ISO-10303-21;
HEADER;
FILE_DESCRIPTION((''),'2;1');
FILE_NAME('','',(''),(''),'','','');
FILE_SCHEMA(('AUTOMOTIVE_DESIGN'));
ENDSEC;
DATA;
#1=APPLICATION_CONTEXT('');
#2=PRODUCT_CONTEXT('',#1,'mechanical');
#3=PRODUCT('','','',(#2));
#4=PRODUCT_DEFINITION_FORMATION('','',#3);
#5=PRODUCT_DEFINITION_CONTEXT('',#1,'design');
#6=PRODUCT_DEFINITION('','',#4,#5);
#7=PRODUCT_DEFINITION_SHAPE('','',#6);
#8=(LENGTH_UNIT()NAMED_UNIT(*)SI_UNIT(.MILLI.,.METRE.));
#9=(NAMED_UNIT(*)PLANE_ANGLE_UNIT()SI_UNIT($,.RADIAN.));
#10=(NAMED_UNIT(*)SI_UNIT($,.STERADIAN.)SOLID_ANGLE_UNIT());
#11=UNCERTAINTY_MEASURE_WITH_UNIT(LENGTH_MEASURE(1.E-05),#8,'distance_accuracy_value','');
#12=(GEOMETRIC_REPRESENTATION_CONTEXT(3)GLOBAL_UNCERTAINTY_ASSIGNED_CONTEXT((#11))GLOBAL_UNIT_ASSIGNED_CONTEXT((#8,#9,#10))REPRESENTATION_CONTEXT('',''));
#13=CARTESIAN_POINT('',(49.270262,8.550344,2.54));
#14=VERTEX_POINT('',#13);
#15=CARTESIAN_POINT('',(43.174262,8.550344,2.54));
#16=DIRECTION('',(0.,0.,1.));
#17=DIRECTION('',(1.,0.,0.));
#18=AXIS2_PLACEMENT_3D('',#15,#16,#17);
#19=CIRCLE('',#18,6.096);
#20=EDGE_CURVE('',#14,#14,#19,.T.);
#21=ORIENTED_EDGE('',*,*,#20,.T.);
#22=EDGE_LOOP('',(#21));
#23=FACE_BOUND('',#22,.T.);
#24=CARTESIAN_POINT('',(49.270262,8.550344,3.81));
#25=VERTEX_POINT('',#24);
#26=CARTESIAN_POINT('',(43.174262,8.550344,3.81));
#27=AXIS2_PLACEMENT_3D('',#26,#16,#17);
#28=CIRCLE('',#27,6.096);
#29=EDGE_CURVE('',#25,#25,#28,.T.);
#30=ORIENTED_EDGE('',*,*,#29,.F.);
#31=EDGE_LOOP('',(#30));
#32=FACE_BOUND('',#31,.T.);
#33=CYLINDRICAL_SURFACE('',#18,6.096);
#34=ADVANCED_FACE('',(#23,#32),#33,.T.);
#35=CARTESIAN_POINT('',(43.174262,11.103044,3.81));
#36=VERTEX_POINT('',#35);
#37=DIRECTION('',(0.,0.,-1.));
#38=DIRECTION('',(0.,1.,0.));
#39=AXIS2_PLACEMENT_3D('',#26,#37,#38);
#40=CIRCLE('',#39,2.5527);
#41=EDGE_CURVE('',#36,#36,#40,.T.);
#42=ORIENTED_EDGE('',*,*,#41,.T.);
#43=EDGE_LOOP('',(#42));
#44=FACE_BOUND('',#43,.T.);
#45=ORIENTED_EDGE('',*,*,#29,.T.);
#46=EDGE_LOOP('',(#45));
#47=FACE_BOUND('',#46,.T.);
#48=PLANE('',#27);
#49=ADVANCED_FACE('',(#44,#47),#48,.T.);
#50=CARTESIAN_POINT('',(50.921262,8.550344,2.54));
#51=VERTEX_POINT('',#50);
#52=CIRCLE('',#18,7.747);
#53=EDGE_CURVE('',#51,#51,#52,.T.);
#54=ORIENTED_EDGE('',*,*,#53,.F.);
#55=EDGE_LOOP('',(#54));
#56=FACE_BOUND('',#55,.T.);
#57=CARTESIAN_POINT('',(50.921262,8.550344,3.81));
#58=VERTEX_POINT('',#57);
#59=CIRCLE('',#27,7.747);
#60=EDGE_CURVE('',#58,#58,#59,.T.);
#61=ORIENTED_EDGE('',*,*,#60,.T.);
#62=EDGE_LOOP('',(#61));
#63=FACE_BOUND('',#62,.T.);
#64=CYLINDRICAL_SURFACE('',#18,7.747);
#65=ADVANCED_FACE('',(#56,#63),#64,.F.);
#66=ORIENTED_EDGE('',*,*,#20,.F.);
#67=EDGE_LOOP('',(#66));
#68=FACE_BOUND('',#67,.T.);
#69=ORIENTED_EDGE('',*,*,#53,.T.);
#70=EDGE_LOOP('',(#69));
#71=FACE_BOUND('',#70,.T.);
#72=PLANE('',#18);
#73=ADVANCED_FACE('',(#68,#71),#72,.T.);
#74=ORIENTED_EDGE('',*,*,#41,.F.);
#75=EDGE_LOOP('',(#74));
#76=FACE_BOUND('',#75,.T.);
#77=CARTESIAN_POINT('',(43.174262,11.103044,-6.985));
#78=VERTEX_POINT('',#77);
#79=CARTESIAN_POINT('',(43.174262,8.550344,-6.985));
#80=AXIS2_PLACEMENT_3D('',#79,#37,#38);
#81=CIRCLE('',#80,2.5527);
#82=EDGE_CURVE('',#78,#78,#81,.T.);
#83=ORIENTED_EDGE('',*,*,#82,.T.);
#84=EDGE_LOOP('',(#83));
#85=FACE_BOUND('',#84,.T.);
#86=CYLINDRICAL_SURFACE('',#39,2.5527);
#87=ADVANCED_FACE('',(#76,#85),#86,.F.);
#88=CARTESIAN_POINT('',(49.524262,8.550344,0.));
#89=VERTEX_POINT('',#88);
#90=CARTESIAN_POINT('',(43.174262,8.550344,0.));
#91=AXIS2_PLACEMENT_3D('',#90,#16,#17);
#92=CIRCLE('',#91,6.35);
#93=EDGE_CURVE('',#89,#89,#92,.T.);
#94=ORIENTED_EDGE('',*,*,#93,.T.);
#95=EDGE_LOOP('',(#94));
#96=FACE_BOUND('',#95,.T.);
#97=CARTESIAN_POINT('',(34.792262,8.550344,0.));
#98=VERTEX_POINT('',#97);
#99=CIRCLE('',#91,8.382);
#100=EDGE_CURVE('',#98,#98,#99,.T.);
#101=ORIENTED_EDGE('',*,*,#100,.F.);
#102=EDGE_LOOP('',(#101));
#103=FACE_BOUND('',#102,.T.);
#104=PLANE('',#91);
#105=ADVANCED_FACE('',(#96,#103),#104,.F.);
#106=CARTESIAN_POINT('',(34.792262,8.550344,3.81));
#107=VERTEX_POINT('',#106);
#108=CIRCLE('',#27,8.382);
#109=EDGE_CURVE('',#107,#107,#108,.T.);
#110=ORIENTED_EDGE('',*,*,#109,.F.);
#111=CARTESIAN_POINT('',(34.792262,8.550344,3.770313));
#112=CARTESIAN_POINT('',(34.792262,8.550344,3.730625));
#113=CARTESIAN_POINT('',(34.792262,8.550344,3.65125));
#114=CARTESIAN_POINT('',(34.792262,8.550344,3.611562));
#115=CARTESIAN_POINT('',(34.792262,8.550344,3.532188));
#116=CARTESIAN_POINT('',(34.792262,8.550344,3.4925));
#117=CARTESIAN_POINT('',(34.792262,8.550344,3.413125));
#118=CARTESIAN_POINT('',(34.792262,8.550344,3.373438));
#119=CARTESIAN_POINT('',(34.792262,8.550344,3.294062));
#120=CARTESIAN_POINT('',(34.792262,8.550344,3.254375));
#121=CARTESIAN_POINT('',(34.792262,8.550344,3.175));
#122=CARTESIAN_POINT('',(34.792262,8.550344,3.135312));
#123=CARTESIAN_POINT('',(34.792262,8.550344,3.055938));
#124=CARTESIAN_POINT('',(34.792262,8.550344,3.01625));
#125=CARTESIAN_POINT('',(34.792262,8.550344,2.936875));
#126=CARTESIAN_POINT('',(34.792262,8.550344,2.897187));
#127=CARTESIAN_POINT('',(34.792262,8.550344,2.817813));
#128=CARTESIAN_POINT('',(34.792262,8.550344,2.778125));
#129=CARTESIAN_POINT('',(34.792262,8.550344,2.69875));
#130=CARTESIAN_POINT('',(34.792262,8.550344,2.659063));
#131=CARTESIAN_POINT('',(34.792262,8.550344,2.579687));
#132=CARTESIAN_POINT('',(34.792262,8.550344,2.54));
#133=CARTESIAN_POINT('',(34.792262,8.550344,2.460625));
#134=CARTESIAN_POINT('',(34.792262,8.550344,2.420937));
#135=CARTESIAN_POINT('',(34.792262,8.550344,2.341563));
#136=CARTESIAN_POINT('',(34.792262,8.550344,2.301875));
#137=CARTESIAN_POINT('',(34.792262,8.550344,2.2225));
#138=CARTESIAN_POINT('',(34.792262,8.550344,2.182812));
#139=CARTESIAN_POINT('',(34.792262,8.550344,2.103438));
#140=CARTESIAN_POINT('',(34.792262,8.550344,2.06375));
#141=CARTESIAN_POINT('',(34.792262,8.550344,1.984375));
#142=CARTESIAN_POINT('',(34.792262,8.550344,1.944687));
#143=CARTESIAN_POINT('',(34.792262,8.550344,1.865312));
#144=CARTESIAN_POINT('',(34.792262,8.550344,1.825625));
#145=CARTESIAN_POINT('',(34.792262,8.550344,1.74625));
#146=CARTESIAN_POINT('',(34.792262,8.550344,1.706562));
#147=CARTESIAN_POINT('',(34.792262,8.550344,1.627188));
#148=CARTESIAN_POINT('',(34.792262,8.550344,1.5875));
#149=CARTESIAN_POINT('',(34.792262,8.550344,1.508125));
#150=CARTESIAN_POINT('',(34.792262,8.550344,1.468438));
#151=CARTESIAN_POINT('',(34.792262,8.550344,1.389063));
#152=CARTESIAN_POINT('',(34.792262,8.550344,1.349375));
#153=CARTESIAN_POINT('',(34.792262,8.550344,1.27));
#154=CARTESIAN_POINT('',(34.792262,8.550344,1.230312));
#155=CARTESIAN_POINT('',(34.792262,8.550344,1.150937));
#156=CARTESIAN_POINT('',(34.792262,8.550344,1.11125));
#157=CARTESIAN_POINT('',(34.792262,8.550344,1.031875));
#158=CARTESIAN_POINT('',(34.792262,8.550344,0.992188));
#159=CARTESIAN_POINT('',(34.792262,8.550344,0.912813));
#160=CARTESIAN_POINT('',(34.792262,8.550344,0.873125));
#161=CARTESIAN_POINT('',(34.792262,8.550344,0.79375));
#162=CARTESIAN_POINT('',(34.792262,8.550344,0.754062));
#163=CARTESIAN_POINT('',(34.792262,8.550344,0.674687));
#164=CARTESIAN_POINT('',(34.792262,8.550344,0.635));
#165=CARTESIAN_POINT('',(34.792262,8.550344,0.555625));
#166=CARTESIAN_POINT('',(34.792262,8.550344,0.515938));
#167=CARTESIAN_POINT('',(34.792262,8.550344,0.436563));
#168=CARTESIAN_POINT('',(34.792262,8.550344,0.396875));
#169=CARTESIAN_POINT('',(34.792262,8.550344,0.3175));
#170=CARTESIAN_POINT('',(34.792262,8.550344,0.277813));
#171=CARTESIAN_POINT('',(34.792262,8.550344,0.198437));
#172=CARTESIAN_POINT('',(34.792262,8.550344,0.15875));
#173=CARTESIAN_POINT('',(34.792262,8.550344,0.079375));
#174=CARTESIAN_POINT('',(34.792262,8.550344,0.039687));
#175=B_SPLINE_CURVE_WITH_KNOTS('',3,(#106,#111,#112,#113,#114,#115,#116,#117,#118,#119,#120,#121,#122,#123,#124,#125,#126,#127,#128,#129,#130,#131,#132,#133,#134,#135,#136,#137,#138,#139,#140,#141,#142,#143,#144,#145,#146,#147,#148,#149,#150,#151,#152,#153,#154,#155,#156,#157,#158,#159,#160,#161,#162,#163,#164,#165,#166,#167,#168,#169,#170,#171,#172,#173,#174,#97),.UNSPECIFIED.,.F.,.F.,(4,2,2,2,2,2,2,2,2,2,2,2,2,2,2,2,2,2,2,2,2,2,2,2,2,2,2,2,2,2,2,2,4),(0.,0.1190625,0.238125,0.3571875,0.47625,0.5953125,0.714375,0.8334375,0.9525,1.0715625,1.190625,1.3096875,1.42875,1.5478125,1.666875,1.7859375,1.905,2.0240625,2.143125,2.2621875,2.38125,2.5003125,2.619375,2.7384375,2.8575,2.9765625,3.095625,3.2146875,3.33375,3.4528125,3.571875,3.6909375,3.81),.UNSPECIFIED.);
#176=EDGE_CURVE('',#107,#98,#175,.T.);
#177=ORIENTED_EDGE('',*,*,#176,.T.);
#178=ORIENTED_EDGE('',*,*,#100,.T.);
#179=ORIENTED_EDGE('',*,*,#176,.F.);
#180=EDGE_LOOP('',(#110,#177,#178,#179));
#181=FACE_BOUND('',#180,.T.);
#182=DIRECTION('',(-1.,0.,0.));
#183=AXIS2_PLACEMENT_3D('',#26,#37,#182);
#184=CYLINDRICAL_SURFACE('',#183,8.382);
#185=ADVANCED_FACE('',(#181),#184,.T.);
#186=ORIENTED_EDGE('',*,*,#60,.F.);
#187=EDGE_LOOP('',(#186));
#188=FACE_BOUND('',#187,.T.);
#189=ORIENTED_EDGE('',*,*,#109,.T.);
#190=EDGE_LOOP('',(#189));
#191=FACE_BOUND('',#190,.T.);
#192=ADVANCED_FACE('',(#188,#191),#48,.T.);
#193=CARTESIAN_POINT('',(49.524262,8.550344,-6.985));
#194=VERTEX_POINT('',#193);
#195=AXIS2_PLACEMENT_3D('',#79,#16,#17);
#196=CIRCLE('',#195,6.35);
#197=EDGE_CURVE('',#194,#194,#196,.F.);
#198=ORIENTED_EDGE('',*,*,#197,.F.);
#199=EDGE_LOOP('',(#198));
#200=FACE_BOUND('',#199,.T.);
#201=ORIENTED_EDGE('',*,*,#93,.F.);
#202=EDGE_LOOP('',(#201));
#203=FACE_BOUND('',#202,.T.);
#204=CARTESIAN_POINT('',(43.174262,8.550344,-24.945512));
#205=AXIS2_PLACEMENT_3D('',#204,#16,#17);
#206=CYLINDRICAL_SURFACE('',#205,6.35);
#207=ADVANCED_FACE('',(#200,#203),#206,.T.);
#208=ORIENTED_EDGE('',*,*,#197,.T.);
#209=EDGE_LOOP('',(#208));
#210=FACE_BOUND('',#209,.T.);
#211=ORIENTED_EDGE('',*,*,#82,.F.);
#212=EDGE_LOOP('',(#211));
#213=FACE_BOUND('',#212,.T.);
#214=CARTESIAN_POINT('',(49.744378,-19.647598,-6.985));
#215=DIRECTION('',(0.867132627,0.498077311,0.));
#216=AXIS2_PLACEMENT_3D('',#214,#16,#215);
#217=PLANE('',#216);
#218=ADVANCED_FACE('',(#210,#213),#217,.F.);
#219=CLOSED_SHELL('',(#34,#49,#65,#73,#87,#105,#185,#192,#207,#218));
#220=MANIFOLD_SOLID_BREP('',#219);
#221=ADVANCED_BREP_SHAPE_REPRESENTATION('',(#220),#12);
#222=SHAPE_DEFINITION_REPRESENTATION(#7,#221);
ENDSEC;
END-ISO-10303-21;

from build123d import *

# Parameters (mm, degrees)
SKETCH1_R           = 6.35
BOSS_EXTRUDE1_DEPTH = 6.985
SKETCH3_R           = 8.382
BOSS_EXTRUDE2_DEPTH = 3.81
SKETCH5_R           = 2.5527
CUT_EXTRUDE2_DEPTH  = 56.328875207
SKETCH6_R           = 7.747
SKETCH6_R_2         = 6.096
CUT_EXTRUDE3_DEPTH  = 1.27


with BuildPart() as part:
    # Sketch1 → Boss-Extrude1 (new body)
    with BuildSketch(Plane.XY):
        with Locations((43.174261814, 8.550344032)):
            Circle(SKETCH1_R)
    extrude(amount=-BOSS_EXTRUDE1_DEPTH)

    # Sketch3 → Boss-Extrude2 (add)
    with BuildSketch(Plane.XY):
        with Locations(Location((43.174261814, 8.550344032, 0), (0, 0, 180))):
            Circle(SKETCH3_R)
    extrude(amount=BOSS_EXTRUDE2_DEPTH)

    # Sketch5 → Cut-Extrude2 (cut, through all)
    with BuildSketch(Plane(origin=(0, 0, -6.985), x_dir=(-1, 0, 0), z_dir=(0, 0, -1))):
        with Locations(Location((-43.174261814, 8.550344032, 0), (0, 0, 90))):
            Circle(SKETCH5_R)
    extrude(amount=-CUT_EXTRUDE2_DEPTH, mode=Mode.SUBTRACT)

    # Sketch6 → Cut-Extrude3 (cut)
    with BuildSketch(Plane.XY.offset(3.81)):
        with Locations((43.174261814, 8.550344032)):
            Circle(SKETCH6_R)
        with Locations((43.174261814, 8.550344032)):
            Circle(SKETCH6_R_2, mode=Mode.SUBTRACT)
    extrude(amount=-CUT_EXTRUDE3_DEPTH, mode=Mode.SUBTRACT)


solid = part.part
